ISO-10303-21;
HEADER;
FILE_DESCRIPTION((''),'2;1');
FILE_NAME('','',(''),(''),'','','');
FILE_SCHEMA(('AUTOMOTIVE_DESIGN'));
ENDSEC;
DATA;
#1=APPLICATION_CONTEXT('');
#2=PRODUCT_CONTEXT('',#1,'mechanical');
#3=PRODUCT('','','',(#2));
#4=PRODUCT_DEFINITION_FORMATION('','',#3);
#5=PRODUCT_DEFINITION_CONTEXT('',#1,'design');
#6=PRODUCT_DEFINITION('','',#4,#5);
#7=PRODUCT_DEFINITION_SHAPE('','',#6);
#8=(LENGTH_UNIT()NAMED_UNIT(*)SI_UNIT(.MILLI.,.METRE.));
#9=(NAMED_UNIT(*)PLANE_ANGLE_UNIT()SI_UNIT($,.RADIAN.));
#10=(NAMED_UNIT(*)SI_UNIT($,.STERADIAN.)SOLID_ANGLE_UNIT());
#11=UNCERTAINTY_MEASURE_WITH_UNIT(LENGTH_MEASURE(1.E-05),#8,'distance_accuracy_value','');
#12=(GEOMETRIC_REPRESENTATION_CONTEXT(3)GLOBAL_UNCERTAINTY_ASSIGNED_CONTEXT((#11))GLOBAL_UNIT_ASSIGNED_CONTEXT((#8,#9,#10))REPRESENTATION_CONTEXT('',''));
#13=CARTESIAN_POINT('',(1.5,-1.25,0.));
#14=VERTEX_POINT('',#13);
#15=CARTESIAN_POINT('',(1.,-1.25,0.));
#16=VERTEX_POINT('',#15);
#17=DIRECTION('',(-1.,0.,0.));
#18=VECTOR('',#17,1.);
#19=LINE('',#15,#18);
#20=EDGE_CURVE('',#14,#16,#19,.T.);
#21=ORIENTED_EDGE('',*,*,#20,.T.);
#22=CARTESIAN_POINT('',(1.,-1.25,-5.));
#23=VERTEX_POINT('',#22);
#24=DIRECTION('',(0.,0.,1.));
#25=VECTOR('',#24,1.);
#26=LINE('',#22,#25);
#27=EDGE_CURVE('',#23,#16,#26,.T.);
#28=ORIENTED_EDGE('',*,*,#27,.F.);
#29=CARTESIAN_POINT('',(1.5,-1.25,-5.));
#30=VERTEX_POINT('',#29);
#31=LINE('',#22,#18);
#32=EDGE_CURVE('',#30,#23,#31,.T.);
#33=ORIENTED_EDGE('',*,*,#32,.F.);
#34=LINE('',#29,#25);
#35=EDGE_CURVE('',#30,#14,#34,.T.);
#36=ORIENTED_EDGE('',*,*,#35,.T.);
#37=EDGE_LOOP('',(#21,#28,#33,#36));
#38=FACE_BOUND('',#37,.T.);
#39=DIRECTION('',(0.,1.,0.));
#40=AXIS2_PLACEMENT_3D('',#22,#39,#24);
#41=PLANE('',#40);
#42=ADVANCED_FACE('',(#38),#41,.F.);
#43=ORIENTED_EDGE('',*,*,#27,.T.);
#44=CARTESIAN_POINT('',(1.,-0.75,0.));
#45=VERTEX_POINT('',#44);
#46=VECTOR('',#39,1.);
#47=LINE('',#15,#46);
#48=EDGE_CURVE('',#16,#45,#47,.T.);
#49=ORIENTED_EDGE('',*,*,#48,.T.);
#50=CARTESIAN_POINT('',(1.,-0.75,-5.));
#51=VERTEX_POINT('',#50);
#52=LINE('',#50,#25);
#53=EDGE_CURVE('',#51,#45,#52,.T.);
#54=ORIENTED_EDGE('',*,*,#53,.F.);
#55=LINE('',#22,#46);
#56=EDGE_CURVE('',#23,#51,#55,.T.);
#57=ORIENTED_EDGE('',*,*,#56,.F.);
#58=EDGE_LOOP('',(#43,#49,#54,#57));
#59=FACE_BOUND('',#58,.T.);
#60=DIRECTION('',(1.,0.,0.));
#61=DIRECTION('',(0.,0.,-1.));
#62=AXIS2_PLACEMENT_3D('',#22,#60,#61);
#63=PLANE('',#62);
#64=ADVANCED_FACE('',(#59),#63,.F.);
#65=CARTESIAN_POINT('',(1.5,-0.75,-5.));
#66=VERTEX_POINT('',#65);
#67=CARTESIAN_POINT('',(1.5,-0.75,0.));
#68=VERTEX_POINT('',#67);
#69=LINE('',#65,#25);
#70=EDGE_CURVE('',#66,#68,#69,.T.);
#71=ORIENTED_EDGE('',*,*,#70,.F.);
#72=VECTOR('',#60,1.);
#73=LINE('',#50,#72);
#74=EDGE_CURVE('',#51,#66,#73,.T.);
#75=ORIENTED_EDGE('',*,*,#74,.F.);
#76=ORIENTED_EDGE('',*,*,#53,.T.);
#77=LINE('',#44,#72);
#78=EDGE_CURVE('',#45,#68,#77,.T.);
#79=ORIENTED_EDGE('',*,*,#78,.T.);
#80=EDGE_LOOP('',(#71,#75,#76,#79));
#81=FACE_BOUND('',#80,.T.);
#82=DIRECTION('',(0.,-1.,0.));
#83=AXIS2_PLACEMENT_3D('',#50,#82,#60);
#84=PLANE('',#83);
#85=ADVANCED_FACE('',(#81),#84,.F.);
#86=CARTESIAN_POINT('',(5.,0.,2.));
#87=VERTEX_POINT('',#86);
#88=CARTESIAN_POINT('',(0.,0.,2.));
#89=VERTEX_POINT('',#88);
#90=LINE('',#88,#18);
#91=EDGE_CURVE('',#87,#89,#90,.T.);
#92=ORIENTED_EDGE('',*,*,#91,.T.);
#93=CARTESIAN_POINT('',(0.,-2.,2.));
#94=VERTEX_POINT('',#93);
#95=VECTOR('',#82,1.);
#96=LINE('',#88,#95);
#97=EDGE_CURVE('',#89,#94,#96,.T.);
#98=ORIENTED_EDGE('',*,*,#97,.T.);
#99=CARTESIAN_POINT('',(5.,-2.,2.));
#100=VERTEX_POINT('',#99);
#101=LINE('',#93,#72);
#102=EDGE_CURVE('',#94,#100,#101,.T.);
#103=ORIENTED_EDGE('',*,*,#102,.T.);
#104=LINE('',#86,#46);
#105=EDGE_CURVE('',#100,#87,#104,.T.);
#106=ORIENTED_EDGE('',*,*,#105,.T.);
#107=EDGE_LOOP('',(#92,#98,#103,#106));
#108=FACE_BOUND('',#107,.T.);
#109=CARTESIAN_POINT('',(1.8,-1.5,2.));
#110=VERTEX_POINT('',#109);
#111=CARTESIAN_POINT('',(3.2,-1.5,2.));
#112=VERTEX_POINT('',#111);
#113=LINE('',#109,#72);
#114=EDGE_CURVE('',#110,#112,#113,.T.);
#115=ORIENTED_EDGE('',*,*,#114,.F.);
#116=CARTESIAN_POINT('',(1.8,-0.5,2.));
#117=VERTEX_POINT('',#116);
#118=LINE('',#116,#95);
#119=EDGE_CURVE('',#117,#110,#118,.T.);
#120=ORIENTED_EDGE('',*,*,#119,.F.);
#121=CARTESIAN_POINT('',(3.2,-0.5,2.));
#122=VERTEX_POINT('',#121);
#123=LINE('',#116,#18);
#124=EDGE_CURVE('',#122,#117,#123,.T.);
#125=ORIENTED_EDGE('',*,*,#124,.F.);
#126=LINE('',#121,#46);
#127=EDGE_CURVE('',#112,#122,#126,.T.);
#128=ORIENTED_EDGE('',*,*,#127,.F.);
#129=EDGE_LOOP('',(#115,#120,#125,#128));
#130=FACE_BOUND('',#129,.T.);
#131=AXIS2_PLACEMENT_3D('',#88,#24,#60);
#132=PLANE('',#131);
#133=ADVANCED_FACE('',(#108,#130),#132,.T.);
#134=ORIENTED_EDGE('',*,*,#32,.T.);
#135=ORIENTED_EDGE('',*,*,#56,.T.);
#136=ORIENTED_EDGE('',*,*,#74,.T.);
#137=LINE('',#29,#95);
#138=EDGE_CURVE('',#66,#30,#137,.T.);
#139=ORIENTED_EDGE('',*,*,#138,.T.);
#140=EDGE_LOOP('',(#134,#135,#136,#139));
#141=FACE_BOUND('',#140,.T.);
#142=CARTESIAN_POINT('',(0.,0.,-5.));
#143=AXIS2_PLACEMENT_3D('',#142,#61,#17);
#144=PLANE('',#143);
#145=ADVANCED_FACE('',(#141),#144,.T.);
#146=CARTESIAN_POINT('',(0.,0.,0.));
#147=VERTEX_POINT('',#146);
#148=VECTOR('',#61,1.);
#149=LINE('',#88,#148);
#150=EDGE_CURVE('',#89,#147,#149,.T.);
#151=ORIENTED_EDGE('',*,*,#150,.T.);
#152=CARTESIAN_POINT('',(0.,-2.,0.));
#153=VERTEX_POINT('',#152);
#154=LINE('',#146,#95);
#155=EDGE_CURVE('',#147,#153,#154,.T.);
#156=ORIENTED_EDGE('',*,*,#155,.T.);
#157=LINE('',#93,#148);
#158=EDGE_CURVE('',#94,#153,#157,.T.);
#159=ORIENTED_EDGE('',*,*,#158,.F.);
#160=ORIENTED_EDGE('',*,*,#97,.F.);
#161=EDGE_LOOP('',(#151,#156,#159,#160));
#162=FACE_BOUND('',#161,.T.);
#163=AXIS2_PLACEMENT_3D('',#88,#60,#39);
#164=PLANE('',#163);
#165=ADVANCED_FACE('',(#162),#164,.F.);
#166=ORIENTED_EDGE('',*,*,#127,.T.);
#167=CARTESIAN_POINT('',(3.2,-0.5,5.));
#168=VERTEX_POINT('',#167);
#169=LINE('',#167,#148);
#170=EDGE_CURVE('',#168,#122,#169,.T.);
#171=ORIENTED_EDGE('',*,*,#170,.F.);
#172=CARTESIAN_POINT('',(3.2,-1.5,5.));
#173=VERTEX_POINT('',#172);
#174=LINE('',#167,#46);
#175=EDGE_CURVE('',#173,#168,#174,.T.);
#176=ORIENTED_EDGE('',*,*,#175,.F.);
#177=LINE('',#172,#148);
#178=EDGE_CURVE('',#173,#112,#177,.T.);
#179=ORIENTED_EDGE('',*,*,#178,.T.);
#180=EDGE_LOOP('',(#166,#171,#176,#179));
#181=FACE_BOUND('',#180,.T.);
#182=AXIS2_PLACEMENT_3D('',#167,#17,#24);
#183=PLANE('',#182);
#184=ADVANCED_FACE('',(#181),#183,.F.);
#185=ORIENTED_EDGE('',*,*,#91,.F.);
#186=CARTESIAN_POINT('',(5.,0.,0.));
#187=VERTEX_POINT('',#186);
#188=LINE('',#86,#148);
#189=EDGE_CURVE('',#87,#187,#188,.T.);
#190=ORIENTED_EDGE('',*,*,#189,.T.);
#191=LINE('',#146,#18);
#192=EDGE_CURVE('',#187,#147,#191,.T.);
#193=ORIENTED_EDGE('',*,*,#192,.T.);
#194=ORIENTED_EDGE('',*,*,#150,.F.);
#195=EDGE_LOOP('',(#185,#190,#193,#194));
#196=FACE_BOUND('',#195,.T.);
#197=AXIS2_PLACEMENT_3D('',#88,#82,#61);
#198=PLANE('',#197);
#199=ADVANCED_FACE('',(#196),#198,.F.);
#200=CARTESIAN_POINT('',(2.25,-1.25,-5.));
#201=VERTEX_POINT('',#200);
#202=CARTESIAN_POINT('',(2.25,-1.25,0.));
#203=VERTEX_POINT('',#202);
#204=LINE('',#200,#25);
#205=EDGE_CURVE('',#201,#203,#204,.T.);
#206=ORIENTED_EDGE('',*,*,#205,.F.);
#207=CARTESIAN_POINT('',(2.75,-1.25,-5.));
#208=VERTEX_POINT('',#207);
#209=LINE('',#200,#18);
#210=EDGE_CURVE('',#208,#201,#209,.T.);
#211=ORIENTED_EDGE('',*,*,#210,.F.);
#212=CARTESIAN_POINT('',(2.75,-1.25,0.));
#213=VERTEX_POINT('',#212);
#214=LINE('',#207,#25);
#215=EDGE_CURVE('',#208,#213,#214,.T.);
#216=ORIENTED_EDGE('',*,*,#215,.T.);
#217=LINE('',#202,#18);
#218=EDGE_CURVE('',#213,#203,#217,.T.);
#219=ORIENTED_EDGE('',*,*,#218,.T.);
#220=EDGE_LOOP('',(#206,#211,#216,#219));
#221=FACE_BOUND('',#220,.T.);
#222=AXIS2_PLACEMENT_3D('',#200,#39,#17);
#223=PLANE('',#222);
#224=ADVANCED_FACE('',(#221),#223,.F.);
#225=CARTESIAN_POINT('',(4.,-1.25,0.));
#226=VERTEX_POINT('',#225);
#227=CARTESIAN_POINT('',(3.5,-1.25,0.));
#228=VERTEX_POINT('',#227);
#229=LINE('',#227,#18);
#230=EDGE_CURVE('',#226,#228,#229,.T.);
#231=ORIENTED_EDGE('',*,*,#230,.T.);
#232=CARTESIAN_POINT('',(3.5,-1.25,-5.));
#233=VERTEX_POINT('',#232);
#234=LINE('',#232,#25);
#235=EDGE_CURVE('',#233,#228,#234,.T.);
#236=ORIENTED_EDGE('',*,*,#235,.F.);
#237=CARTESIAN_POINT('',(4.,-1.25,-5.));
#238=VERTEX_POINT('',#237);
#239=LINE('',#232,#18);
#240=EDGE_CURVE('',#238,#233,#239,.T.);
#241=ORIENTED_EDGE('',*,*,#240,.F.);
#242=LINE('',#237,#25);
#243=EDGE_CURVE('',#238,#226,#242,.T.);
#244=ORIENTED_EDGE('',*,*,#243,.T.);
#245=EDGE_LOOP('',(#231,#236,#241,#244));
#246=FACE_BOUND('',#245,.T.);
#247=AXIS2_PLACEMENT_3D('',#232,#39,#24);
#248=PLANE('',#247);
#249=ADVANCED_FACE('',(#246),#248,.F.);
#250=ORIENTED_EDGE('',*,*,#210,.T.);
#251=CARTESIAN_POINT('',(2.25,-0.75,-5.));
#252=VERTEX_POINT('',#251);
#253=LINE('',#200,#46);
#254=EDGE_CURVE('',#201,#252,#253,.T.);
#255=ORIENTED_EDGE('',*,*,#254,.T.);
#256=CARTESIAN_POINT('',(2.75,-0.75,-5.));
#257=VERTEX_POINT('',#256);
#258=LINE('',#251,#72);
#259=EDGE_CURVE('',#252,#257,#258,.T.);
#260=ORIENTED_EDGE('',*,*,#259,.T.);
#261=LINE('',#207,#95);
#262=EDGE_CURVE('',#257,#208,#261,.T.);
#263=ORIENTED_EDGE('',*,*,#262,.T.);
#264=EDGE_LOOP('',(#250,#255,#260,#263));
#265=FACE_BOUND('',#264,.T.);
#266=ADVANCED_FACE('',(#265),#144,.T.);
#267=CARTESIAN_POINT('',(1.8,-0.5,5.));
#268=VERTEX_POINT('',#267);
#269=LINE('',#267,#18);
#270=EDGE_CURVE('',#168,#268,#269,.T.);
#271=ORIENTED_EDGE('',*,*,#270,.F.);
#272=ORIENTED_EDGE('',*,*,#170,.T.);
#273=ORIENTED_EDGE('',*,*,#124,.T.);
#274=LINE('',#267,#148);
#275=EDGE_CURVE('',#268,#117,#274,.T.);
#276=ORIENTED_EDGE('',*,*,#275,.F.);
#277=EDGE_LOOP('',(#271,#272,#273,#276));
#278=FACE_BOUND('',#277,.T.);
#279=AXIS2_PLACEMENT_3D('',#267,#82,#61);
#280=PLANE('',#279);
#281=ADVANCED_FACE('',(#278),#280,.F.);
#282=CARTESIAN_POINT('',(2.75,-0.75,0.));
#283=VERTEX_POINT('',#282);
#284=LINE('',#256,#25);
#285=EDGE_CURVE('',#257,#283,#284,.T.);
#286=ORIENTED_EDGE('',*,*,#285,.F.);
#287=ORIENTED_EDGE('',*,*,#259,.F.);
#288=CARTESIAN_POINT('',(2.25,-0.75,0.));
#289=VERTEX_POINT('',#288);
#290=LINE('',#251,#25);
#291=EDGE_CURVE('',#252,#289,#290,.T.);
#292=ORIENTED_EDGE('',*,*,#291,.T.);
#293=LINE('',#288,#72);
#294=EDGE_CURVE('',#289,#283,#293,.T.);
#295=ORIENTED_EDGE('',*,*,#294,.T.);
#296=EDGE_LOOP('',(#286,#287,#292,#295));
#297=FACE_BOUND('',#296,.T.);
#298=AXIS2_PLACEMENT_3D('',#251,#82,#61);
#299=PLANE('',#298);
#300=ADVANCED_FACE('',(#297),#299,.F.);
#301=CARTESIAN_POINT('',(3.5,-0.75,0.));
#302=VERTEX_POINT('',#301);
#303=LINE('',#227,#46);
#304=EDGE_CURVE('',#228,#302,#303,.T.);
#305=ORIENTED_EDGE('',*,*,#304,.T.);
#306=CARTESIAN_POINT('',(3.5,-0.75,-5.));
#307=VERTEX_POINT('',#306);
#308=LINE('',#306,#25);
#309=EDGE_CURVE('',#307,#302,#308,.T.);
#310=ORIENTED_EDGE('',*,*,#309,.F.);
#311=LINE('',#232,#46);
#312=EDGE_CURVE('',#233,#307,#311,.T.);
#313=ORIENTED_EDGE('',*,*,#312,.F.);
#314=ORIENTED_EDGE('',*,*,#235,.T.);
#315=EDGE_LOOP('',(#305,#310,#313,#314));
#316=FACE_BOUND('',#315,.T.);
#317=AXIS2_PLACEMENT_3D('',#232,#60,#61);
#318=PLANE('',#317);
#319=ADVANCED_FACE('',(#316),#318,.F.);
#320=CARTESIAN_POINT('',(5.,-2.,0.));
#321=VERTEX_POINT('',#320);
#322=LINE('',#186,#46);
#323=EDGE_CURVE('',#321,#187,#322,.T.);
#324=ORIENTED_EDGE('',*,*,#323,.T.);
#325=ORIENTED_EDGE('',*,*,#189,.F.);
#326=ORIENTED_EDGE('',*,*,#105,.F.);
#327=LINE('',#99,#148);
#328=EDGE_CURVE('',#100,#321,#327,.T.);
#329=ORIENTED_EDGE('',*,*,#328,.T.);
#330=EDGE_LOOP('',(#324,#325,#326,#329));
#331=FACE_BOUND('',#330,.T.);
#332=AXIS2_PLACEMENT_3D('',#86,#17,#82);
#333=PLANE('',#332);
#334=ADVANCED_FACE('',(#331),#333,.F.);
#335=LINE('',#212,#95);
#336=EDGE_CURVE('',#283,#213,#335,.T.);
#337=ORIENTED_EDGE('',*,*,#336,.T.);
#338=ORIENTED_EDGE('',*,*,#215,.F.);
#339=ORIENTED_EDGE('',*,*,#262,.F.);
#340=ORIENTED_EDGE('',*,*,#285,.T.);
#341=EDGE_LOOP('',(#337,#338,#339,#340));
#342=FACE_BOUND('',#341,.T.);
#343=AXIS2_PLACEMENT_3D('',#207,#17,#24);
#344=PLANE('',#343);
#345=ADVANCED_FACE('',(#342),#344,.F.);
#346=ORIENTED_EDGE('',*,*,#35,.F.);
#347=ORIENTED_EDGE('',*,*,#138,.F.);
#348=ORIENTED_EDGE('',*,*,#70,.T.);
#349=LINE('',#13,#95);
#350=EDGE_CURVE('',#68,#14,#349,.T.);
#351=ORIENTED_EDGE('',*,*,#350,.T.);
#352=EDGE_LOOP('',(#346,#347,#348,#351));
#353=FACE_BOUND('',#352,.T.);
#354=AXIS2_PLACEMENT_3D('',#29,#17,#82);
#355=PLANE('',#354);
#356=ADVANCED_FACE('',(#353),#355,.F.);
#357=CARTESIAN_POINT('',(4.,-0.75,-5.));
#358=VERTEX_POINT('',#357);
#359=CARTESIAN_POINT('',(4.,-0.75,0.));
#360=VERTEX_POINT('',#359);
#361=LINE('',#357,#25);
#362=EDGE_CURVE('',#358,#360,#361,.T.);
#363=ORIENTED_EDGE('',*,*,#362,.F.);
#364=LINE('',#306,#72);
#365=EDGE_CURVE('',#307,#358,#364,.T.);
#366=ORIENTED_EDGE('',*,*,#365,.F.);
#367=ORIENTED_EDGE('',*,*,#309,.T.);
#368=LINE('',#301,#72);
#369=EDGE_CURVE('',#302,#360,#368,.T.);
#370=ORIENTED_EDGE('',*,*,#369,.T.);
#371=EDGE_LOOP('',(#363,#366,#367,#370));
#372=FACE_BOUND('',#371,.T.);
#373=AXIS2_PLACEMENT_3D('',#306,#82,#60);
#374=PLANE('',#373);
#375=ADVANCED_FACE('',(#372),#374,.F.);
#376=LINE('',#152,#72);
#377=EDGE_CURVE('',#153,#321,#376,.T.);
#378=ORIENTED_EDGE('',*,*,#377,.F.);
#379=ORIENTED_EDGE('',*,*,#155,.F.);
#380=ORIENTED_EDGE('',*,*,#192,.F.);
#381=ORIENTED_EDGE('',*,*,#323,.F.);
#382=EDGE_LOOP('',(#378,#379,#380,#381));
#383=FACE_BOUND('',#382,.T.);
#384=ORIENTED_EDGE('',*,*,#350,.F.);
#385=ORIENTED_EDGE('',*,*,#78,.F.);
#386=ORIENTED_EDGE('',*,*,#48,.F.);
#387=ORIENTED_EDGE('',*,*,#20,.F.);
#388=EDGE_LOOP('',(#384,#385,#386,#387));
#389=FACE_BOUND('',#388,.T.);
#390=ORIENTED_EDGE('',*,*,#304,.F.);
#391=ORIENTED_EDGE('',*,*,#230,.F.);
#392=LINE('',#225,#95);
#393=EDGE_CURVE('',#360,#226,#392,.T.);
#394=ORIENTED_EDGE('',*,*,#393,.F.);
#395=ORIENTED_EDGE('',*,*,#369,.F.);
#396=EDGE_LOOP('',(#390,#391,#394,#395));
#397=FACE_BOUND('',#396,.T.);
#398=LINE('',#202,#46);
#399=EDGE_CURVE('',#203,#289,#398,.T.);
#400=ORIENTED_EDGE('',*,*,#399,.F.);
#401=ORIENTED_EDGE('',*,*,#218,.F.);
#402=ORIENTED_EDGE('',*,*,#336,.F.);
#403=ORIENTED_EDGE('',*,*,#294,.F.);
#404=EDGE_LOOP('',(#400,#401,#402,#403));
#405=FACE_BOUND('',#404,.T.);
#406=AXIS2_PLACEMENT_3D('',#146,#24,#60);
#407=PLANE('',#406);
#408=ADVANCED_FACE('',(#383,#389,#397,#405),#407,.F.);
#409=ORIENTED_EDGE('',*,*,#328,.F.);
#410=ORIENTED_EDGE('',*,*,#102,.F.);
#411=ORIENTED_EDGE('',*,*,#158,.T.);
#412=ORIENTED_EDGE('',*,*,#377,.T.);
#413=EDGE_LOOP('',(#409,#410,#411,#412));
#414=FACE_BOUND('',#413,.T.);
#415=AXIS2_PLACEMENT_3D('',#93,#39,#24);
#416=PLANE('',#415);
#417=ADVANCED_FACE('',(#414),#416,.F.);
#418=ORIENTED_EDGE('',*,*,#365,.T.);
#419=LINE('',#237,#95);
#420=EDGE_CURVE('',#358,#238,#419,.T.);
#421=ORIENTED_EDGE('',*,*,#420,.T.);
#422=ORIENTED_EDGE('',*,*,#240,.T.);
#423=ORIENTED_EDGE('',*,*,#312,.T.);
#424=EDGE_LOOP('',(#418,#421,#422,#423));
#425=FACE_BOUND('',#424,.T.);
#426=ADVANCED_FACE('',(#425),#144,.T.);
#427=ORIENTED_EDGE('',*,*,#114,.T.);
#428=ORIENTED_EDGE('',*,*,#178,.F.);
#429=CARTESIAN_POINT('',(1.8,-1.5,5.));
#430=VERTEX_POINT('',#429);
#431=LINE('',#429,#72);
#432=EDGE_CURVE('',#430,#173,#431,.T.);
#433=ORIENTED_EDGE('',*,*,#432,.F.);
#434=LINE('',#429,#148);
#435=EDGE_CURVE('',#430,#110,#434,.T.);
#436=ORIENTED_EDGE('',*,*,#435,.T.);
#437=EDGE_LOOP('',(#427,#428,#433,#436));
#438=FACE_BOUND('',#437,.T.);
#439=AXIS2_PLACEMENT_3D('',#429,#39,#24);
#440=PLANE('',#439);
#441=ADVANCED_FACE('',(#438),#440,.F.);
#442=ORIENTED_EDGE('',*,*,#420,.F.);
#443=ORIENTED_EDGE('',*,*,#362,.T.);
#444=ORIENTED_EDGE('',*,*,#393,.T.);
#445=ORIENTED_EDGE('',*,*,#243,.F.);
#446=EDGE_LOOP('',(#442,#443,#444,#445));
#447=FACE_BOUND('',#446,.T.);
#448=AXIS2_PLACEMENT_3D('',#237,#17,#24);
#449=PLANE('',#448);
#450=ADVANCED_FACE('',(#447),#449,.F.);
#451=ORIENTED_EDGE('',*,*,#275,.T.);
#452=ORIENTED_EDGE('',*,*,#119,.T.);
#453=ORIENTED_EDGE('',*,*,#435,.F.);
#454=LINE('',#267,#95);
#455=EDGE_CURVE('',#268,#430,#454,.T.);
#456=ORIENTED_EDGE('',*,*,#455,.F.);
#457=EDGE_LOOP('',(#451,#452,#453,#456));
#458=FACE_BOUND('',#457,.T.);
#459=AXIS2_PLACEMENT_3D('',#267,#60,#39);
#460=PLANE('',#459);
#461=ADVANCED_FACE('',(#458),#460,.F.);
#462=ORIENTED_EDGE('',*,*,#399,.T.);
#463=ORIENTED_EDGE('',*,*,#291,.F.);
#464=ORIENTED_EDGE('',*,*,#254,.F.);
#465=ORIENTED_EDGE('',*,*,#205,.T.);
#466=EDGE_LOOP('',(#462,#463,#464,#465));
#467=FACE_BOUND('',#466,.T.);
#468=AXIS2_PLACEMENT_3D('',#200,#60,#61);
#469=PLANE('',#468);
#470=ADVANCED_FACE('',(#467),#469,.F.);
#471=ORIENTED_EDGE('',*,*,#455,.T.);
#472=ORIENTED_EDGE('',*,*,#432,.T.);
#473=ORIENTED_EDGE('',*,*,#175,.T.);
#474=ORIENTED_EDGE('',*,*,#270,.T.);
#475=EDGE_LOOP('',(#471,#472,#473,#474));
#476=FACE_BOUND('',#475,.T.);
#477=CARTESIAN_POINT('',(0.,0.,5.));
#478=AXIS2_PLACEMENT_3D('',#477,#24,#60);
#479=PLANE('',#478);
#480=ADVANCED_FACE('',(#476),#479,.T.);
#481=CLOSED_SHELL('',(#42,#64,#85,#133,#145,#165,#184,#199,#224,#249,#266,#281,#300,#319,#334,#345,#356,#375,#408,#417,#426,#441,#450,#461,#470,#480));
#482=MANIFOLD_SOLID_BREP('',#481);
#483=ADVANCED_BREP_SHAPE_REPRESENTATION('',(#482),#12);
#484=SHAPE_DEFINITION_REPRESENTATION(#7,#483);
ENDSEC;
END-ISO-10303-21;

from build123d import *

# Parameters (mm, degrees)
SKETCH_1_W      = 5
SKETCH_1_H      = 2
EXTRUDE_1_DEPTH = 2
SKETCH_2_W      = 0.5
SKETCH_2_H      = 0.5
EXTRUDE_2_DEPTH = 5
SKETCH_3_W      = 1.4
SKETCH_3_H      = 1
EXTRUDE_3_DEPTH = 3


with BuildPart() as part:
    # Эскиз1 → Бобышка-Вытянуть1 (new body)
    with BuildSketch(Plane.XY):
        with Locations((2.5, -1)):
            Rectangle(SKETCH_1_W, SKETCH_1_H)
    extrude(amount=EXTRUDE_1_DEPTH)

    # Эскиз2 → Бобышка-Вытянуть2 (add)
    with BuildSketch(Plane(origin=(0, 0, 0), x_dir=(-1, 0, 0), z_dir=(0, 0, -1))):
        with Locations((-1.25, -1)):
            Rectangle(SKETCH_2_W, SKETCH_2_H)
        with Locations((-2.5, -1)):
            Rectangle(SKETCH_2_W, SKETCH_2_H)
        with Locations((-3.75, -1)):
            Rectangle(SKETCH_2_W, SKETCH_2_H)
    extrude(amount=EXTRUDE_2_DEPTH)

    # Эскиз3 → Бобышка-Вытянуть3 (add)
    with BuildSketch(Plane.XY.offset(2)):
        with Locations((2.5, -1)):
            Rectangle(SKETCH_3_W, SKETCH_3_H)
    extrude(amount=EXTRUDE_3_DEPTH)


solid = part.part
